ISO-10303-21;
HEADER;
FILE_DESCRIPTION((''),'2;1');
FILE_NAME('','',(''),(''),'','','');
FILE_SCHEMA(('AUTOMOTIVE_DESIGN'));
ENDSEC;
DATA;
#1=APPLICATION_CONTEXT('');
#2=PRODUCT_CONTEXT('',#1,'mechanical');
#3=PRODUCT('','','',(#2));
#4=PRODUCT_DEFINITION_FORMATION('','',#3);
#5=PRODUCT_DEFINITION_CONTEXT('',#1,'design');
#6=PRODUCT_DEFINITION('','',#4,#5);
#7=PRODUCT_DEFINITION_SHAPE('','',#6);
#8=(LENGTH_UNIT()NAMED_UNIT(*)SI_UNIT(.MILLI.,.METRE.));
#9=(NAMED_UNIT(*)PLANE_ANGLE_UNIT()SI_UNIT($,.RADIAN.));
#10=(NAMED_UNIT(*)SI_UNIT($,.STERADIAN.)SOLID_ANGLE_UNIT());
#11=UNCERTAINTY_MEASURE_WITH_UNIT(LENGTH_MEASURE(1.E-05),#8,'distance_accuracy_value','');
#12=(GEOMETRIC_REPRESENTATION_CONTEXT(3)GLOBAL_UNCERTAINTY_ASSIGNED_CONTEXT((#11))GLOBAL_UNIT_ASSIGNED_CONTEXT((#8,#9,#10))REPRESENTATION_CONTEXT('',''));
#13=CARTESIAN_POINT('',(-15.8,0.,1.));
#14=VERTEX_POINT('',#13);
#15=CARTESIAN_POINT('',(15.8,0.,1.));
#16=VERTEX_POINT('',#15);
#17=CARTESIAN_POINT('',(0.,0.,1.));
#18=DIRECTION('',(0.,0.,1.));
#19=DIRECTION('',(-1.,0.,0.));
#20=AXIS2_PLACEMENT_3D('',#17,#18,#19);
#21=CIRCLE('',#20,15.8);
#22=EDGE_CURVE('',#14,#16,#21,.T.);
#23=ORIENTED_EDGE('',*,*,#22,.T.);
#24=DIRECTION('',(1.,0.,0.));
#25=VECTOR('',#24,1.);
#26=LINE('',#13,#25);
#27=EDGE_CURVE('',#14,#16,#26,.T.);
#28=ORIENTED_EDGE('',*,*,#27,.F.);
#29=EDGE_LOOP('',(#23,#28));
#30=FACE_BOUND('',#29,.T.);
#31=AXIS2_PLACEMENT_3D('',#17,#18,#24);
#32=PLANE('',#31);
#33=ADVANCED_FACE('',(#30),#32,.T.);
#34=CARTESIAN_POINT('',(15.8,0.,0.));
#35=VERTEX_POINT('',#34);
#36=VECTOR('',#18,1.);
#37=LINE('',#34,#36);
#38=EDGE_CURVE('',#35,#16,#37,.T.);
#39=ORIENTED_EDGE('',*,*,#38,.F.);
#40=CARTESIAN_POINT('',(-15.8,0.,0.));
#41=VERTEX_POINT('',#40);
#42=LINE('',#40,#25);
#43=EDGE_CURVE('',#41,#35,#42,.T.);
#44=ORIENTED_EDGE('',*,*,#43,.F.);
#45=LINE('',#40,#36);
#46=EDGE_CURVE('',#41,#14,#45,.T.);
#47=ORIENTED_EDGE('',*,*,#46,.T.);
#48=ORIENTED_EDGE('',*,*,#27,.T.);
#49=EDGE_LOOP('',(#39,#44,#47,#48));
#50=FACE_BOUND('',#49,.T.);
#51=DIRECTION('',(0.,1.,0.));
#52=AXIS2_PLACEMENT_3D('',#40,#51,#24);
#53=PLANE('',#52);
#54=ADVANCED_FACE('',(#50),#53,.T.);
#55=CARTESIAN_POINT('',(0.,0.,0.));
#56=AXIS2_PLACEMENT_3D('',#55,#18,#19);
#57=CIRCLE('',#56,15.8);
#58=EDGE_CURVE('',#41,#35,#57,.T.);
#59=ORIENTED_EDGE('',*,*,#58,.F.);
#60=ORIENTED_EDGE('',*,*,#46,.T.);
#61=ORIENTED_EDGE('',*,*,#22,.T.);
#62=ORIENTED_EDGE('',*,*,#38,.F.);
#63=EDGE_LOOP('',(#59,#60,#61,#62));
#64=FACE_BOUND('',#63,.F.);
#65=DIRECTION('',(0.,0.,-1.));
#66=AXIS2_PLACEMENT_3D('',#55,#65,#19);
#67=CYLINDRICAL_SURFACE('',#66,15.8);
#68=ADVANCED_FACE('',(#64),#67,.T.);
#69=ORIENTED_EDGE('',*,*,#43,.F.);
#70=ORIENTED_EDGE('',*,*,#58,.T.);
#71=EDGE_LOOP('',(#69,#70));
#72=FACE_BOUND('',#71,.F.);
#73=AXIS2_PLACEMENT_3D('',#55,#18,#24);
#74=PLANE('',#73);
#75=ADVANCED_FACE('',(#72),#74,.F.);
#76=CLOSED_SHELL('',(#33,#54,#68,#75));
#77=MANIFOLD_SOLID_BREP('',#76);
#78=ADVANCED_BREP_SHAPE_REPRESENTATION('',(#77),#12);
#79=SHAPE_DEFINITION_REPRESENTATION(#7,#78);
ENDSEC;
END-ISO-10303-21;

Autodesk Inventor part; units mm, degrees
ref_plane "YZ Plane" through (0, 0, 0) normal (1, 0, 0) x (0, 1, 0)
ref_plane "XZ Plane" through (0, 0, 0) normal (0, 1, 0) x (-1, 0, 0)
ref_plane "XY Plane" through (0, 0, 0) normal (0, 0, 1) x (1, 0, 0)
sketch "スケッチ1" plane through (0, 0, 0) normal (0, 0, 1) x (1, 0, 0)
  arc A0 (-15.8, 0) -> (15.8, 0) centre (0, 0) ccw
  line L0 (-15.8, 0) -> (15.8, 0)
  point P0 (0, 0)
  dimension "d0" = 15.8
extrude "押し出し1" add sketch "スケッチ1" along normal blind 1
properties part number "B_shield_face_5" material "ステンレス鋼 440C"
